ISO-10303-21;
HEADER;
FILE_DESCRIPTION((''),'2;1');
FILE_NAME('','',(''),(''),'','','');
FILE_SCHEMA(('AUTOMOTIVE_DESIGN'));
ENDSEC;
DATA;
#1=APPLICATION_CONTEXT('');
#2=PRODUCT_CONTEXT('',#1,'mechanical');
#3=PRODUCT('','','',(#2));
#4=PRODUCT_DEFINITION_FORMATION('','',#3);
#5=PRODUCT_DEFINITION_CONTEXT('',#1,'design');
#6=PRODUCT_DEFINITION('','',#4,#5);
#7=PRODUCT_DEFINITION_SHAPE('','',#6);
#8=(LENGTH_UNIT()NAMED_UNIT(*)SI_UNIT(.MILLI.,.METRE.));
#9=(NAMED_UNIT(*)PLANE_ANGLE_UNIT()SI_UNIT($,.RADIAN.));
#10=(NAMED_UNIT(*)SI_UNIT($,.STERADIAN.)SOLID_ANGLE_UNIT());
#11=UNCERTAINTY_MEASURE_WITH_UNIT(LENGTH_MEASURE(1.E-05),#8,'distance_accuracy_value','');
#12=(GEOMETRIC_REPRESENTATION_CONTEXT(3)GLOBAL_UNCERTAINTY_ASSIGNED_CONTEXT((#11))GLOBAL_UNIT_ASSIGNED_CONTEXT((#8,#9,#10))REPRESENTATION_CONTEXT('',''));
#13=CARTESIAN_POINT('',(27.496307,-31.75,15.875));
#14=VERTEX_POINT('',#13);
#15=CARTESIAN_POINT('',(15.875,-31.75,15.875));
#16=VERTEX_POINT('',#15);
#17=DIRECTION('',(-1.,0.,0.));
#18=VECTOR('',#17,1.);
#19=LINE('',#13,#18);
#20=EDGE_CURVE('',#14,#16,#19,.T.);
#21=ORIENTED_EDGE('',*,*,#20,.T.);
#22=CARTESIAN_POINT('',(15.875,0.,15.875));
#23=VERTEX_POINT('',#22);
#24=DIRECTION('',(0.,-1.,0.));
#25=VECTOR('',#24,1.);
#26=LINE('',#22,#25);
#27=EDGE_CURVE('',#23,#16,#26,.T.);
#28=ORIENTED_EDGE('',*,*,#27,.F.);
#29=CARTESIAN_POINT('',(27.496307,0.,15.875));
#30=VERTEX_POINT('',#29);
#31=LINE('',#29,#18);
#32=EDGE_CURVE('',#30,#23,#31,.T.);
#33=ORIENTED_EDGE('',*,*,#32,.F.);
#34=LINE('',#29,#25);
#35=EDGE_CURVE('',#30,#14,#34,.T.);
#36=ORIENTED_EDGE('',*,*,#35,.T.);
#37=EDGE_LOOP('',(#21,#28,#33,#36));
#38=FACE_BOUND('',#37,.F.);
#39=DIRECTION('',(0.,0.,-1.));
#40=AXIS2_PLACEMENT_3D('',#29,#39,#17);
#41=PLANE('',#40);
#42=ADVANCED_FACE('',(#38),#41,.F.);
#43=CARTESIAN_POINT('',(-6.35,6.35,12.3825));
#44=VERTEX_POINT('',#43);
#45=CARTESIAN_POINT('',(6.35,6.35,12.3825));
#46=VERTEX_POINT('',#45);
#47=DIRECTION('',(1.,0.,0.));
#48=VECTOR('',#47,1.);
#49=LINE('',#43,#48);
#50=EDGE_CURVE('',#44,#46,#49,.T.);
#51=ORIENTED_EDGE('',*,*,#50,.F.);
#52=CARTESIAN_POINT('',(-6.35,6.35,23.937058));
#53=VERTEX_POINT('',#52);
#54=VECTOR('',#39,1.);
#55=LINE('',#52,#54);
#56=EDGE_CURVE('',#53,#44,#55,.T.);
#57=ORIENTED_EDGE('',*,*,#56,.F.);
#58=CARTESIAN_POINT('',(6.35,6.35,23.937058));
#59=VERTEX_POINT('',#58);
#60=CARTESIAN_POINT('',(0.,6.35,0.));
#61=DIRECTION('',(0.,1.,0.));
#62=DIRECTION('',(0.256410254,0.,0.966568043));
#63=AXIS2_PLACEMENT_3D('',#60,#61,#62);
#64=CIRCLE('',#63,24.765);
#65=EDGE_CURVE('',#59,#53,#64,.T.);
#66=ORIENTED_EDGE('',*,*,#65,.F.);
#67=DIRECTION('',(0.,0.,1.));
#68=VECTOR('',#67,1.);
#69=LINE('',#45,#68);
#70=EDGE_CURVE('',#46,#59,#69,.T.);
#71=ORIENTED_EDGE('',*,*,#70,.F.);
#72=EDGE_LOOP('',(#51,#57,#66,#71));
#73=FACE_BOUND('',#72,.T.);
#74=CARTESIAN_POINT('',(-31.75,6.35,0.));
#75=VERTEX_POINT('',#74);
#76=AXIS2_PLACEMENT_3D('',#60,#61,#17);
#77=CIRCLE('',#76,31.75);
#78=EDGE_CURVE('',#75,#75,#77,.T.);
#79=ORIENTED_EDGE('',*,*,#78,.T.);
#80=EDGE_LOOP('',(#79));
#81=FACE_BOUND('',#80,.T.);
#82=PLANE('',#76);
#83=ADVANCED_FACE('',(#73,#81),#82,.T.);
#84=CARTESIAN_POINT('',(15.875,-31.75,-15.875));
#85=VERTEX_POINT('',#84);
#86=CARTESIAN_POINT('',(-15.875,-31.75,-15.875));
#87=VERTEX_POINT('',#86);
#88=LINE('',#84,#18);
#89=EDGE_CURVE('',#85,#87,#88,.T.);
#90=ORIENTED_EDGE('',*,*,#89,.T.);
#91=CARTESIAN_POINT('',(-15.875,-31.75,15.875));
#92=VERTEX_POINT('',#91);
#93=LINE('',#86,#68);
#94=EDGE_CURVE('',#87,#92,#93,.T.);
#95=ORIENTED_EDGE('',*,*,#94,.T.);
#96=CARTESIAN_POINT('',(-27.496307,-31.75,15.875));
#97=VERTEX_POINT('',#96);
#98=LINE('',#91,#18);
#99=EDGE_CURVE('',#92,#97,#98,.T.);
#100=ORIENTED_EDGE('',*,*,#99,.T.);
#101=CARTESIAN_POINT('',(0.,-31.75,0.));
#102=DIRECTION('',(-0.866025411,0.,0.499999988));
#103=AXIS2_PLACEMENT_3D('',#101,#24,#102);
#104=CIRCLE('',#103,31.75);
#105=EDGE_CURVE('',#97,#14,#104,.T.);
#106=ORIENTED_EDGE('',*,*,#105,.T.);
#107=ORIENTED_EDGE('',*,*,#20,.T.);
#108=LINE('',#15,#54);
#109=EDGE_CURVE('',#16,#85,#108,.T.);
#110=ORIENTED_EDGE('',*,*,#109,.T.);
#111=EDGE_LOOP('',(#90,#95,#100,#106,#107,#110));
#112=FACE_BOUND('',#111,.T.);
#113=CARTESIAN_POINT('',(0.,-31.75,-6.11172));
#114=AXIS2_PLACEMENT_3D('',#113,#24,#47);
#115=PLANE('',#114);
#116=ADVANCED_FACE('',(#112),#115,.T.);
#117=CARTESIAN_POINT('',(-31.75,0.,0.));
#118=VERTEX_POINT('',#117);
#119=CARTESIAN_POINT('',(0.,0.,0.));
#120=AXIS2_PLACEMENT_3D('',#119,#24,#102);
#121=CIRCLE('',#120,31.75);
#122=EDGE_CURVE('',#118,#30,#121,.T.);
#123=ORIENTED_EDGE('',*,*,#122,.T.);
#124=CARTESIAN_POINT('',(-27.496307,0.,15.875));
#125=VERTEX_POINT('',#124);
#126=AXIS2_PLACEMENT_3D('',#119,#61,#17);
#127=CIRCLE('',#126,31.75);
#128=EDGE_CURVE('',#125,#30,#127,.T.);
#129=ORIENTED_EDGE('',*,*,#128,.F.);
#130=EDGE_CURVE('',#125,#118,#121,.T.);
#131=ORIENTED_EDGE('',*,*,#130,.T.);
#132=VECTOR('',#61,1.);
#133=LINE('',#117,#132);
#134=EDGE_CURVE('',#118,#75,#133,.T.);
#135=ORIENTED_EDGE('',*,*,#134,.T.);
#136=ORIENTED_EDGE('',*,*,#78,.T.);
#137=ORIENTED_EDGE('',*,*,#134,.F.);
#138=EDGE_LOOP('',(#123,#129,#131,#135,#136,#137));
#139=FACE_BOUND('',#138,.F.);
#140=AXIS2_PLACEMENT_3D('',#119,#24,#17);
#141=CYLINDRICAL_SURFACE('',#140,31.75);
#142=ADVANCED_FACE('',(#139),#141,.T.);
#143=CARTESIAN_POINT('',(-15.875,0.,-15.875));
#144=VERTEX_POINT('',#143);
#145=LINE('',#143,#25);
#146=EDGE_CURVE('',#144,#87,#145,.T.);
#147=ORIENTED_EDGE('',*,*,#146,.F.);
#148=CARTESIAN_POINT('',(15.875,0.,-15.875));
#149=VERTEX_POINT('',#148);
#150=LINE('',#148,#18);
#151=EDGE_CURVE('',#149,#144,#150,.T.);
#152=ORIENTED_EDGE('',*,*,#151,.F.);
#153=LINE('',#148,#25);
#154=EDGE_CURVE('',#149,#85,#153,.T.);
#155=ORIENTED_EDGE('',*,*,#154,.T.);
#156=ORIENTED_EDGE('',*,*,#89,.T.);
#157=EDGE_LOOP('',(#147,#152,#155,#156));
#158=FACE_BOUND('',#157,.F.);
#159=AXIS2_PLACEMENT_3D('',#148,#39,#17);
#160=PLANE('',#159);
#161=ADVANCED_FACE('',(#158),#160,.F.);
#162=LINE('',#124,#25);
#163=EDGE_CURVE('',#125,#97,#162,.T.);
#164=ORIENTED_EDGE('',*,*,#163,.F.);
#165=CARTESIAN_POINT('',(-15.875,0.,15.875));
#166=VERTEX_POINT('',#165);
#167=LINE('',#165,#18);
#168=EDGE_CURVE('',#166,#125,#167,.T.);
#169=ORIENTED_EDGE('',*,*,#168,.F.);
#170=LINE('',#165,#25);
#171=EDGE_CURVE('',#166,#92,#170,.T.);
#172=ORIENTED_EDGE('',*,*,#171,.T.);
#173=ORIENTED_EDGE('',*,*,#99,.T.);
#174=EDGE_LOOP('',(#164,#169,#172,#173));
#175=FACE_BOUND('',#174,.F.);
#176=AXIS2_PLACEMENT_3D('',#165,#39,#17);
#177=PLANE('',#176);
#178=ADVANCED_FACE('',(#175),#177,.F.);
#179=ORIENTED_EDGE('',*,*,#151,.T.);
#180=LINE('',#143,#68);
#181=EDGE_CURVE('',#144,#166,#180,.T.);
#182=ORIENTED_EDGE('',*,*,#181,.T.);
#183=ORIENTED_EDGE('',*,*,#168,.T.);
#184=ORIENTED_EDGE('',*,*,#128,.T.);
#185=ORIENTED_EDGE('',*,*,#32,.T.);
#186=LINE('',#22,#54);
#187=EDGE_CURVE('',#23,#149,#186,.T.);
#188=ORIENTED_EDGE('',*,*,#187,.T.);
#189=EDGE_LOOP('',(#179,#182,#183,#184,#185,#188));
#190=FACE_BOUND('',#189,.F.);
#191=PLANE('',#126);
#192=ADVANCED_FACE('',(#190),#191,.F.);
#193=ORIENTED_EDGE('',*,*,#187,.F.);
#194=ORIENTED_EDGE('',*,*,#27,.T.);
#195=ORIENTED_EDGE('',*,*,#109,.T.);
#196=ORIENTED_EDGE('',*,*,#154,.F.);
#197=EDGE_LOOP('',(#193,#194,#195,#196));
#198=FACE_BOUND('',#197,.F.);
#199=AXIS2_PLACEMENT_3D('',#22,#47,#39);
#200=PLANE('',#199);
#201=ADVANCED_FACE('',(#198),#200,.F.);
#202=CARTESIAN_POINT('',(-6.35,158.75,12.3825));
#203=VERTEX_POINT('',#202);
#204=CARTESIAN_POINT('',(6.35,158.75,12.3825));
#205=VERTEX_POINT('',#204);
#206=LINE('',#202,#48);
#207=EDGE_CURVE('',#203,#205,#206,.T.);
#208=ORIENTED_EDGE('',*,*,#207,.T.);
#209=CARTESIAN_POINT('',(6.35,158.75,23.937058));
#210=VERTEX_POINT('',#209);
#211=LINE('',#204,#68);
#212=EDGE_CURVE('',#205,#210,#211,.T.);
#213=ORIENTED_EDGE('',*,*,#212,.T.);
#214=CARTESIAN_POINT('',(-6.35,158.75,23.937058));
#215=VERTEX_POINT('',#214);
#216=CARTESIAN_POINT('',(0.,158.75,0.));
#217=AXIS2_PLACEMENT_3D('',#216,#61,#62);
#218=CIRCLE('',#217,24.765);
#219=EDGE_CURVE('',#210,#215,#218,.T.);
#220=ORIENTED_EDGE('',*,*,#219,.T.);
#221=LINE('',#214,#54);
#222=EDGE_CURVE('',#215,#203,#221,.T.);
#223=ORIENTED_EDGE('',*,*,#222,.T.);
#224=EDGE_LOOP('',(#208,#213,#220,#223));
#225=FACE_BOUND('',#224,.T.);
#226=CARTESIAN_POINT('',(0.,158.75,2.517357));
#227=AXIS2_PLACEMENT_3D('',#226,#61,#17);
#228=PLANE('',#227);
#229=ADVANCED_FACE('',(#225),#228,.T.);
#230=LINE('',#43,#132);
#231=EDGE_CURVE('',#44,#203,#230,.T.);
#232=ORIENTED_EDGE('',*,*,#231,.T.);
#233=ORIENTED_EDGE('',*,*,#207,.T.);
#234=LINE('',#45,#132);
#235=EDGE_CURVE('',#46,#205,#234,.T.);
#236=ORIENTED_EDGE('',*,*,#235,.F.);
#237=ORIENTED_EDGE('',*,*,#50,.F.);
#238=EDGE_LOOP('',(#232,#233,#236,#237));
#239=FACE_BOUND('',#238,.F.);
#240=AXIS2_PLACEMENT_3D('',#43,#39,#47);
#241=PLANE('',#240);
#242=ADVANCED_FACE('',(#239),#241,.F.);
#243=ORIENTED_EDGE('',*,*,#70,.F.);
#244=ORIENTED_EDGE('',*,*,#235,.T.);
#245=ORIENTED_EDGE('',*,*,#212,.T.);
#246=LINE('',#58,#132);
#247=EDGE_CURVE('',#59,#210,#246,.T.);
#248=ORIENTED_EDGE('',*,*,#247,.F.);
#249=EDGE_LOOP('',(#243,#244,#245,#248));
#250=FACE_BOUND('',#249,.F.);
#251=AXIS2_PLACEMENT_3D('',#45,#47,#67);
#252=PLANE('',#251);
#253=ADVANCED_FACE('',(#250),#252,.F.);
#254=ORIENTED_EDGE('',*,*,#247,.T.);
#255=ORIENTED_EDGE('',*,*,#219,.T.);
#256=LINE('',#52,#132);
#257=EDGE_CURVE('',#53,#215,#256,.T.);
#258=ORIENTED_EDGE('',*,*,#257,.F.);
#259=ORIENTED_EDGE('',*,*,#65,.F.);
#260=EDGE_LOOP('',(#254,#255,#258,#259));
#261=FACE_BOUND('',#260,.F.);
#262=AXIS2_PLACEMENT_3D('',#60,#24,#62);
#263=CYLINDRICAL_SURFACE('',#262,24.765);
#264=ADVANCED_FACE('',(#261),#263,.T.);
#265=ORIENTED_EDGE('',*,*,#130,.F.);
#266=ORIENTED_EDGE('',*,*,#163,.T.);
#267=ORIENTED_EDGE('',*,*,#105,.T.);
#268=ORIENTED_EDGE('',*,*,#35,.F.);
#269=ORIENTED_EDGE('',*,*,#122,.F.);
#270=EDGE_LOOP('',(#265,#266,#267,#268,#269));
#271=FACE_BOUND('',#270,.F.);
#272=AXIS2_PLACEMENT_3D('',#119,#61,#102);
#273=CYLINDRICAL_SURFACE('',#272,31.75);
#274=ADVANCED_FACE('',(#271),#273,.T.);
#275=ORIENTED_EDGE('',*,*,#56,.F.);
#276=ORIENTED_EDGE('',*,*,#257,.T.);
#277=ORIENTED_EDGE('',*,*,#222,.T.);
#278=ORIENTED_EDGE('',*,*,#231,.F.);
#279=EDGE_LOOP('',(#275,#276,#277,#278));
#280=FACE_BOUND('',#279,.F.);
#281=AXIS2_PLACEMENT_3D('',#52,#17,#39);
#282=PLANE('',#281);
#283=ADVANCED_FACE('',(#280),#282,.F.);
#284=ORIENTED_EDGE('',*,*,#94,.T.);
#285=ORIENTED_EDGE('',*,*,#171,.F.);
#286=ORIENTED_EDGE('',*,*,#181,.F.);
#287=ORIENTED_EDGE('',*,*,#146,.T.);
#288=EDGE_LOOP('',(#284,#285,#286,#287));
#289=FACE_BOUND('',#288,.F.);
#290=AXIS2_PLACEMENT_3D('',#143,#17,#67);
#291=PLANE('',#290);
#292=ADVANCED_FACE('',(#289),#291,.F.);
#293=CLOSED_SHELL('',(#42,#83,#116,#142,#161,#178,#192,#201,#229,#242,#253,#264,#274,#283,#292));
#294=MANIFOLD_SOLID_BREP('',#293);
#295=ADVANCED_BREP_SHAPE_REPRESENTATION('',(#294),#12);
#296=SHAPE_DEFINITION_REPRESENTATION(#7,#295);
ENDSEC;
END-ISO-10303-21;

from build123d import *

# Parameters (mm, degrees)
F1_DEPTH = 31.75
F2_R     = 31.75
F3_DEPTH = 6.35
F5_DEPTH = 152.4


with BuildPart() as f1:
    # F0 (on Front) → F1 (new body)
    with BuildSketch(Plane.XZ):
        with BuildLine():
            Line((-15.875, 15.875), (-27.496307, 15.875))
            ThreePointArc((-27.496307, 15.875), (0, -31.75), (27.496307, 15.875))
            Line((27.496307, 15.875), (15.875, 15.875))
            Line((15.875, 15.875), (15.875, -15.875))
            Line((15.875, -15.875), (-15.875, -15.875))
            Line((-15.875, -15.875), (-15.875, 15.875))
        make_face()
    extrude(amount=F1_DEPTH)

    # F2 (on face) → F3 (join)
    with BuildSketch(Plane(origin=(0, 0, 0), x_dir=(-1, 0, 0), z_dir=(0, 1, 0))):
        Circle(F2_R)
    extrude(amount=F3_DEPTH)

    # F4 (on face) → F5 (join)
    with BuildSketch(Plane(origin=(0, 6.35, 0), x_dir=(-1, 0, 0), z_dir=(0, 1, 0))):
        with BuildLine():
            Line((-6.35, 12.3825), (-6.35, 23.937058))
            ThreePointArc((-6.35, 23.937058), (0, -24.765), (6.35, 23.937058))
            Line((6.35, 23.937058), (6.35, 12.3825))
            Line((6.35, 12.3825), (0, 12.3825))
            Line((0, 12.3825), (-6.35, 12.3825))
        make_face()
    extrude(amount=F5_DEPTH)


solid = f1.part
